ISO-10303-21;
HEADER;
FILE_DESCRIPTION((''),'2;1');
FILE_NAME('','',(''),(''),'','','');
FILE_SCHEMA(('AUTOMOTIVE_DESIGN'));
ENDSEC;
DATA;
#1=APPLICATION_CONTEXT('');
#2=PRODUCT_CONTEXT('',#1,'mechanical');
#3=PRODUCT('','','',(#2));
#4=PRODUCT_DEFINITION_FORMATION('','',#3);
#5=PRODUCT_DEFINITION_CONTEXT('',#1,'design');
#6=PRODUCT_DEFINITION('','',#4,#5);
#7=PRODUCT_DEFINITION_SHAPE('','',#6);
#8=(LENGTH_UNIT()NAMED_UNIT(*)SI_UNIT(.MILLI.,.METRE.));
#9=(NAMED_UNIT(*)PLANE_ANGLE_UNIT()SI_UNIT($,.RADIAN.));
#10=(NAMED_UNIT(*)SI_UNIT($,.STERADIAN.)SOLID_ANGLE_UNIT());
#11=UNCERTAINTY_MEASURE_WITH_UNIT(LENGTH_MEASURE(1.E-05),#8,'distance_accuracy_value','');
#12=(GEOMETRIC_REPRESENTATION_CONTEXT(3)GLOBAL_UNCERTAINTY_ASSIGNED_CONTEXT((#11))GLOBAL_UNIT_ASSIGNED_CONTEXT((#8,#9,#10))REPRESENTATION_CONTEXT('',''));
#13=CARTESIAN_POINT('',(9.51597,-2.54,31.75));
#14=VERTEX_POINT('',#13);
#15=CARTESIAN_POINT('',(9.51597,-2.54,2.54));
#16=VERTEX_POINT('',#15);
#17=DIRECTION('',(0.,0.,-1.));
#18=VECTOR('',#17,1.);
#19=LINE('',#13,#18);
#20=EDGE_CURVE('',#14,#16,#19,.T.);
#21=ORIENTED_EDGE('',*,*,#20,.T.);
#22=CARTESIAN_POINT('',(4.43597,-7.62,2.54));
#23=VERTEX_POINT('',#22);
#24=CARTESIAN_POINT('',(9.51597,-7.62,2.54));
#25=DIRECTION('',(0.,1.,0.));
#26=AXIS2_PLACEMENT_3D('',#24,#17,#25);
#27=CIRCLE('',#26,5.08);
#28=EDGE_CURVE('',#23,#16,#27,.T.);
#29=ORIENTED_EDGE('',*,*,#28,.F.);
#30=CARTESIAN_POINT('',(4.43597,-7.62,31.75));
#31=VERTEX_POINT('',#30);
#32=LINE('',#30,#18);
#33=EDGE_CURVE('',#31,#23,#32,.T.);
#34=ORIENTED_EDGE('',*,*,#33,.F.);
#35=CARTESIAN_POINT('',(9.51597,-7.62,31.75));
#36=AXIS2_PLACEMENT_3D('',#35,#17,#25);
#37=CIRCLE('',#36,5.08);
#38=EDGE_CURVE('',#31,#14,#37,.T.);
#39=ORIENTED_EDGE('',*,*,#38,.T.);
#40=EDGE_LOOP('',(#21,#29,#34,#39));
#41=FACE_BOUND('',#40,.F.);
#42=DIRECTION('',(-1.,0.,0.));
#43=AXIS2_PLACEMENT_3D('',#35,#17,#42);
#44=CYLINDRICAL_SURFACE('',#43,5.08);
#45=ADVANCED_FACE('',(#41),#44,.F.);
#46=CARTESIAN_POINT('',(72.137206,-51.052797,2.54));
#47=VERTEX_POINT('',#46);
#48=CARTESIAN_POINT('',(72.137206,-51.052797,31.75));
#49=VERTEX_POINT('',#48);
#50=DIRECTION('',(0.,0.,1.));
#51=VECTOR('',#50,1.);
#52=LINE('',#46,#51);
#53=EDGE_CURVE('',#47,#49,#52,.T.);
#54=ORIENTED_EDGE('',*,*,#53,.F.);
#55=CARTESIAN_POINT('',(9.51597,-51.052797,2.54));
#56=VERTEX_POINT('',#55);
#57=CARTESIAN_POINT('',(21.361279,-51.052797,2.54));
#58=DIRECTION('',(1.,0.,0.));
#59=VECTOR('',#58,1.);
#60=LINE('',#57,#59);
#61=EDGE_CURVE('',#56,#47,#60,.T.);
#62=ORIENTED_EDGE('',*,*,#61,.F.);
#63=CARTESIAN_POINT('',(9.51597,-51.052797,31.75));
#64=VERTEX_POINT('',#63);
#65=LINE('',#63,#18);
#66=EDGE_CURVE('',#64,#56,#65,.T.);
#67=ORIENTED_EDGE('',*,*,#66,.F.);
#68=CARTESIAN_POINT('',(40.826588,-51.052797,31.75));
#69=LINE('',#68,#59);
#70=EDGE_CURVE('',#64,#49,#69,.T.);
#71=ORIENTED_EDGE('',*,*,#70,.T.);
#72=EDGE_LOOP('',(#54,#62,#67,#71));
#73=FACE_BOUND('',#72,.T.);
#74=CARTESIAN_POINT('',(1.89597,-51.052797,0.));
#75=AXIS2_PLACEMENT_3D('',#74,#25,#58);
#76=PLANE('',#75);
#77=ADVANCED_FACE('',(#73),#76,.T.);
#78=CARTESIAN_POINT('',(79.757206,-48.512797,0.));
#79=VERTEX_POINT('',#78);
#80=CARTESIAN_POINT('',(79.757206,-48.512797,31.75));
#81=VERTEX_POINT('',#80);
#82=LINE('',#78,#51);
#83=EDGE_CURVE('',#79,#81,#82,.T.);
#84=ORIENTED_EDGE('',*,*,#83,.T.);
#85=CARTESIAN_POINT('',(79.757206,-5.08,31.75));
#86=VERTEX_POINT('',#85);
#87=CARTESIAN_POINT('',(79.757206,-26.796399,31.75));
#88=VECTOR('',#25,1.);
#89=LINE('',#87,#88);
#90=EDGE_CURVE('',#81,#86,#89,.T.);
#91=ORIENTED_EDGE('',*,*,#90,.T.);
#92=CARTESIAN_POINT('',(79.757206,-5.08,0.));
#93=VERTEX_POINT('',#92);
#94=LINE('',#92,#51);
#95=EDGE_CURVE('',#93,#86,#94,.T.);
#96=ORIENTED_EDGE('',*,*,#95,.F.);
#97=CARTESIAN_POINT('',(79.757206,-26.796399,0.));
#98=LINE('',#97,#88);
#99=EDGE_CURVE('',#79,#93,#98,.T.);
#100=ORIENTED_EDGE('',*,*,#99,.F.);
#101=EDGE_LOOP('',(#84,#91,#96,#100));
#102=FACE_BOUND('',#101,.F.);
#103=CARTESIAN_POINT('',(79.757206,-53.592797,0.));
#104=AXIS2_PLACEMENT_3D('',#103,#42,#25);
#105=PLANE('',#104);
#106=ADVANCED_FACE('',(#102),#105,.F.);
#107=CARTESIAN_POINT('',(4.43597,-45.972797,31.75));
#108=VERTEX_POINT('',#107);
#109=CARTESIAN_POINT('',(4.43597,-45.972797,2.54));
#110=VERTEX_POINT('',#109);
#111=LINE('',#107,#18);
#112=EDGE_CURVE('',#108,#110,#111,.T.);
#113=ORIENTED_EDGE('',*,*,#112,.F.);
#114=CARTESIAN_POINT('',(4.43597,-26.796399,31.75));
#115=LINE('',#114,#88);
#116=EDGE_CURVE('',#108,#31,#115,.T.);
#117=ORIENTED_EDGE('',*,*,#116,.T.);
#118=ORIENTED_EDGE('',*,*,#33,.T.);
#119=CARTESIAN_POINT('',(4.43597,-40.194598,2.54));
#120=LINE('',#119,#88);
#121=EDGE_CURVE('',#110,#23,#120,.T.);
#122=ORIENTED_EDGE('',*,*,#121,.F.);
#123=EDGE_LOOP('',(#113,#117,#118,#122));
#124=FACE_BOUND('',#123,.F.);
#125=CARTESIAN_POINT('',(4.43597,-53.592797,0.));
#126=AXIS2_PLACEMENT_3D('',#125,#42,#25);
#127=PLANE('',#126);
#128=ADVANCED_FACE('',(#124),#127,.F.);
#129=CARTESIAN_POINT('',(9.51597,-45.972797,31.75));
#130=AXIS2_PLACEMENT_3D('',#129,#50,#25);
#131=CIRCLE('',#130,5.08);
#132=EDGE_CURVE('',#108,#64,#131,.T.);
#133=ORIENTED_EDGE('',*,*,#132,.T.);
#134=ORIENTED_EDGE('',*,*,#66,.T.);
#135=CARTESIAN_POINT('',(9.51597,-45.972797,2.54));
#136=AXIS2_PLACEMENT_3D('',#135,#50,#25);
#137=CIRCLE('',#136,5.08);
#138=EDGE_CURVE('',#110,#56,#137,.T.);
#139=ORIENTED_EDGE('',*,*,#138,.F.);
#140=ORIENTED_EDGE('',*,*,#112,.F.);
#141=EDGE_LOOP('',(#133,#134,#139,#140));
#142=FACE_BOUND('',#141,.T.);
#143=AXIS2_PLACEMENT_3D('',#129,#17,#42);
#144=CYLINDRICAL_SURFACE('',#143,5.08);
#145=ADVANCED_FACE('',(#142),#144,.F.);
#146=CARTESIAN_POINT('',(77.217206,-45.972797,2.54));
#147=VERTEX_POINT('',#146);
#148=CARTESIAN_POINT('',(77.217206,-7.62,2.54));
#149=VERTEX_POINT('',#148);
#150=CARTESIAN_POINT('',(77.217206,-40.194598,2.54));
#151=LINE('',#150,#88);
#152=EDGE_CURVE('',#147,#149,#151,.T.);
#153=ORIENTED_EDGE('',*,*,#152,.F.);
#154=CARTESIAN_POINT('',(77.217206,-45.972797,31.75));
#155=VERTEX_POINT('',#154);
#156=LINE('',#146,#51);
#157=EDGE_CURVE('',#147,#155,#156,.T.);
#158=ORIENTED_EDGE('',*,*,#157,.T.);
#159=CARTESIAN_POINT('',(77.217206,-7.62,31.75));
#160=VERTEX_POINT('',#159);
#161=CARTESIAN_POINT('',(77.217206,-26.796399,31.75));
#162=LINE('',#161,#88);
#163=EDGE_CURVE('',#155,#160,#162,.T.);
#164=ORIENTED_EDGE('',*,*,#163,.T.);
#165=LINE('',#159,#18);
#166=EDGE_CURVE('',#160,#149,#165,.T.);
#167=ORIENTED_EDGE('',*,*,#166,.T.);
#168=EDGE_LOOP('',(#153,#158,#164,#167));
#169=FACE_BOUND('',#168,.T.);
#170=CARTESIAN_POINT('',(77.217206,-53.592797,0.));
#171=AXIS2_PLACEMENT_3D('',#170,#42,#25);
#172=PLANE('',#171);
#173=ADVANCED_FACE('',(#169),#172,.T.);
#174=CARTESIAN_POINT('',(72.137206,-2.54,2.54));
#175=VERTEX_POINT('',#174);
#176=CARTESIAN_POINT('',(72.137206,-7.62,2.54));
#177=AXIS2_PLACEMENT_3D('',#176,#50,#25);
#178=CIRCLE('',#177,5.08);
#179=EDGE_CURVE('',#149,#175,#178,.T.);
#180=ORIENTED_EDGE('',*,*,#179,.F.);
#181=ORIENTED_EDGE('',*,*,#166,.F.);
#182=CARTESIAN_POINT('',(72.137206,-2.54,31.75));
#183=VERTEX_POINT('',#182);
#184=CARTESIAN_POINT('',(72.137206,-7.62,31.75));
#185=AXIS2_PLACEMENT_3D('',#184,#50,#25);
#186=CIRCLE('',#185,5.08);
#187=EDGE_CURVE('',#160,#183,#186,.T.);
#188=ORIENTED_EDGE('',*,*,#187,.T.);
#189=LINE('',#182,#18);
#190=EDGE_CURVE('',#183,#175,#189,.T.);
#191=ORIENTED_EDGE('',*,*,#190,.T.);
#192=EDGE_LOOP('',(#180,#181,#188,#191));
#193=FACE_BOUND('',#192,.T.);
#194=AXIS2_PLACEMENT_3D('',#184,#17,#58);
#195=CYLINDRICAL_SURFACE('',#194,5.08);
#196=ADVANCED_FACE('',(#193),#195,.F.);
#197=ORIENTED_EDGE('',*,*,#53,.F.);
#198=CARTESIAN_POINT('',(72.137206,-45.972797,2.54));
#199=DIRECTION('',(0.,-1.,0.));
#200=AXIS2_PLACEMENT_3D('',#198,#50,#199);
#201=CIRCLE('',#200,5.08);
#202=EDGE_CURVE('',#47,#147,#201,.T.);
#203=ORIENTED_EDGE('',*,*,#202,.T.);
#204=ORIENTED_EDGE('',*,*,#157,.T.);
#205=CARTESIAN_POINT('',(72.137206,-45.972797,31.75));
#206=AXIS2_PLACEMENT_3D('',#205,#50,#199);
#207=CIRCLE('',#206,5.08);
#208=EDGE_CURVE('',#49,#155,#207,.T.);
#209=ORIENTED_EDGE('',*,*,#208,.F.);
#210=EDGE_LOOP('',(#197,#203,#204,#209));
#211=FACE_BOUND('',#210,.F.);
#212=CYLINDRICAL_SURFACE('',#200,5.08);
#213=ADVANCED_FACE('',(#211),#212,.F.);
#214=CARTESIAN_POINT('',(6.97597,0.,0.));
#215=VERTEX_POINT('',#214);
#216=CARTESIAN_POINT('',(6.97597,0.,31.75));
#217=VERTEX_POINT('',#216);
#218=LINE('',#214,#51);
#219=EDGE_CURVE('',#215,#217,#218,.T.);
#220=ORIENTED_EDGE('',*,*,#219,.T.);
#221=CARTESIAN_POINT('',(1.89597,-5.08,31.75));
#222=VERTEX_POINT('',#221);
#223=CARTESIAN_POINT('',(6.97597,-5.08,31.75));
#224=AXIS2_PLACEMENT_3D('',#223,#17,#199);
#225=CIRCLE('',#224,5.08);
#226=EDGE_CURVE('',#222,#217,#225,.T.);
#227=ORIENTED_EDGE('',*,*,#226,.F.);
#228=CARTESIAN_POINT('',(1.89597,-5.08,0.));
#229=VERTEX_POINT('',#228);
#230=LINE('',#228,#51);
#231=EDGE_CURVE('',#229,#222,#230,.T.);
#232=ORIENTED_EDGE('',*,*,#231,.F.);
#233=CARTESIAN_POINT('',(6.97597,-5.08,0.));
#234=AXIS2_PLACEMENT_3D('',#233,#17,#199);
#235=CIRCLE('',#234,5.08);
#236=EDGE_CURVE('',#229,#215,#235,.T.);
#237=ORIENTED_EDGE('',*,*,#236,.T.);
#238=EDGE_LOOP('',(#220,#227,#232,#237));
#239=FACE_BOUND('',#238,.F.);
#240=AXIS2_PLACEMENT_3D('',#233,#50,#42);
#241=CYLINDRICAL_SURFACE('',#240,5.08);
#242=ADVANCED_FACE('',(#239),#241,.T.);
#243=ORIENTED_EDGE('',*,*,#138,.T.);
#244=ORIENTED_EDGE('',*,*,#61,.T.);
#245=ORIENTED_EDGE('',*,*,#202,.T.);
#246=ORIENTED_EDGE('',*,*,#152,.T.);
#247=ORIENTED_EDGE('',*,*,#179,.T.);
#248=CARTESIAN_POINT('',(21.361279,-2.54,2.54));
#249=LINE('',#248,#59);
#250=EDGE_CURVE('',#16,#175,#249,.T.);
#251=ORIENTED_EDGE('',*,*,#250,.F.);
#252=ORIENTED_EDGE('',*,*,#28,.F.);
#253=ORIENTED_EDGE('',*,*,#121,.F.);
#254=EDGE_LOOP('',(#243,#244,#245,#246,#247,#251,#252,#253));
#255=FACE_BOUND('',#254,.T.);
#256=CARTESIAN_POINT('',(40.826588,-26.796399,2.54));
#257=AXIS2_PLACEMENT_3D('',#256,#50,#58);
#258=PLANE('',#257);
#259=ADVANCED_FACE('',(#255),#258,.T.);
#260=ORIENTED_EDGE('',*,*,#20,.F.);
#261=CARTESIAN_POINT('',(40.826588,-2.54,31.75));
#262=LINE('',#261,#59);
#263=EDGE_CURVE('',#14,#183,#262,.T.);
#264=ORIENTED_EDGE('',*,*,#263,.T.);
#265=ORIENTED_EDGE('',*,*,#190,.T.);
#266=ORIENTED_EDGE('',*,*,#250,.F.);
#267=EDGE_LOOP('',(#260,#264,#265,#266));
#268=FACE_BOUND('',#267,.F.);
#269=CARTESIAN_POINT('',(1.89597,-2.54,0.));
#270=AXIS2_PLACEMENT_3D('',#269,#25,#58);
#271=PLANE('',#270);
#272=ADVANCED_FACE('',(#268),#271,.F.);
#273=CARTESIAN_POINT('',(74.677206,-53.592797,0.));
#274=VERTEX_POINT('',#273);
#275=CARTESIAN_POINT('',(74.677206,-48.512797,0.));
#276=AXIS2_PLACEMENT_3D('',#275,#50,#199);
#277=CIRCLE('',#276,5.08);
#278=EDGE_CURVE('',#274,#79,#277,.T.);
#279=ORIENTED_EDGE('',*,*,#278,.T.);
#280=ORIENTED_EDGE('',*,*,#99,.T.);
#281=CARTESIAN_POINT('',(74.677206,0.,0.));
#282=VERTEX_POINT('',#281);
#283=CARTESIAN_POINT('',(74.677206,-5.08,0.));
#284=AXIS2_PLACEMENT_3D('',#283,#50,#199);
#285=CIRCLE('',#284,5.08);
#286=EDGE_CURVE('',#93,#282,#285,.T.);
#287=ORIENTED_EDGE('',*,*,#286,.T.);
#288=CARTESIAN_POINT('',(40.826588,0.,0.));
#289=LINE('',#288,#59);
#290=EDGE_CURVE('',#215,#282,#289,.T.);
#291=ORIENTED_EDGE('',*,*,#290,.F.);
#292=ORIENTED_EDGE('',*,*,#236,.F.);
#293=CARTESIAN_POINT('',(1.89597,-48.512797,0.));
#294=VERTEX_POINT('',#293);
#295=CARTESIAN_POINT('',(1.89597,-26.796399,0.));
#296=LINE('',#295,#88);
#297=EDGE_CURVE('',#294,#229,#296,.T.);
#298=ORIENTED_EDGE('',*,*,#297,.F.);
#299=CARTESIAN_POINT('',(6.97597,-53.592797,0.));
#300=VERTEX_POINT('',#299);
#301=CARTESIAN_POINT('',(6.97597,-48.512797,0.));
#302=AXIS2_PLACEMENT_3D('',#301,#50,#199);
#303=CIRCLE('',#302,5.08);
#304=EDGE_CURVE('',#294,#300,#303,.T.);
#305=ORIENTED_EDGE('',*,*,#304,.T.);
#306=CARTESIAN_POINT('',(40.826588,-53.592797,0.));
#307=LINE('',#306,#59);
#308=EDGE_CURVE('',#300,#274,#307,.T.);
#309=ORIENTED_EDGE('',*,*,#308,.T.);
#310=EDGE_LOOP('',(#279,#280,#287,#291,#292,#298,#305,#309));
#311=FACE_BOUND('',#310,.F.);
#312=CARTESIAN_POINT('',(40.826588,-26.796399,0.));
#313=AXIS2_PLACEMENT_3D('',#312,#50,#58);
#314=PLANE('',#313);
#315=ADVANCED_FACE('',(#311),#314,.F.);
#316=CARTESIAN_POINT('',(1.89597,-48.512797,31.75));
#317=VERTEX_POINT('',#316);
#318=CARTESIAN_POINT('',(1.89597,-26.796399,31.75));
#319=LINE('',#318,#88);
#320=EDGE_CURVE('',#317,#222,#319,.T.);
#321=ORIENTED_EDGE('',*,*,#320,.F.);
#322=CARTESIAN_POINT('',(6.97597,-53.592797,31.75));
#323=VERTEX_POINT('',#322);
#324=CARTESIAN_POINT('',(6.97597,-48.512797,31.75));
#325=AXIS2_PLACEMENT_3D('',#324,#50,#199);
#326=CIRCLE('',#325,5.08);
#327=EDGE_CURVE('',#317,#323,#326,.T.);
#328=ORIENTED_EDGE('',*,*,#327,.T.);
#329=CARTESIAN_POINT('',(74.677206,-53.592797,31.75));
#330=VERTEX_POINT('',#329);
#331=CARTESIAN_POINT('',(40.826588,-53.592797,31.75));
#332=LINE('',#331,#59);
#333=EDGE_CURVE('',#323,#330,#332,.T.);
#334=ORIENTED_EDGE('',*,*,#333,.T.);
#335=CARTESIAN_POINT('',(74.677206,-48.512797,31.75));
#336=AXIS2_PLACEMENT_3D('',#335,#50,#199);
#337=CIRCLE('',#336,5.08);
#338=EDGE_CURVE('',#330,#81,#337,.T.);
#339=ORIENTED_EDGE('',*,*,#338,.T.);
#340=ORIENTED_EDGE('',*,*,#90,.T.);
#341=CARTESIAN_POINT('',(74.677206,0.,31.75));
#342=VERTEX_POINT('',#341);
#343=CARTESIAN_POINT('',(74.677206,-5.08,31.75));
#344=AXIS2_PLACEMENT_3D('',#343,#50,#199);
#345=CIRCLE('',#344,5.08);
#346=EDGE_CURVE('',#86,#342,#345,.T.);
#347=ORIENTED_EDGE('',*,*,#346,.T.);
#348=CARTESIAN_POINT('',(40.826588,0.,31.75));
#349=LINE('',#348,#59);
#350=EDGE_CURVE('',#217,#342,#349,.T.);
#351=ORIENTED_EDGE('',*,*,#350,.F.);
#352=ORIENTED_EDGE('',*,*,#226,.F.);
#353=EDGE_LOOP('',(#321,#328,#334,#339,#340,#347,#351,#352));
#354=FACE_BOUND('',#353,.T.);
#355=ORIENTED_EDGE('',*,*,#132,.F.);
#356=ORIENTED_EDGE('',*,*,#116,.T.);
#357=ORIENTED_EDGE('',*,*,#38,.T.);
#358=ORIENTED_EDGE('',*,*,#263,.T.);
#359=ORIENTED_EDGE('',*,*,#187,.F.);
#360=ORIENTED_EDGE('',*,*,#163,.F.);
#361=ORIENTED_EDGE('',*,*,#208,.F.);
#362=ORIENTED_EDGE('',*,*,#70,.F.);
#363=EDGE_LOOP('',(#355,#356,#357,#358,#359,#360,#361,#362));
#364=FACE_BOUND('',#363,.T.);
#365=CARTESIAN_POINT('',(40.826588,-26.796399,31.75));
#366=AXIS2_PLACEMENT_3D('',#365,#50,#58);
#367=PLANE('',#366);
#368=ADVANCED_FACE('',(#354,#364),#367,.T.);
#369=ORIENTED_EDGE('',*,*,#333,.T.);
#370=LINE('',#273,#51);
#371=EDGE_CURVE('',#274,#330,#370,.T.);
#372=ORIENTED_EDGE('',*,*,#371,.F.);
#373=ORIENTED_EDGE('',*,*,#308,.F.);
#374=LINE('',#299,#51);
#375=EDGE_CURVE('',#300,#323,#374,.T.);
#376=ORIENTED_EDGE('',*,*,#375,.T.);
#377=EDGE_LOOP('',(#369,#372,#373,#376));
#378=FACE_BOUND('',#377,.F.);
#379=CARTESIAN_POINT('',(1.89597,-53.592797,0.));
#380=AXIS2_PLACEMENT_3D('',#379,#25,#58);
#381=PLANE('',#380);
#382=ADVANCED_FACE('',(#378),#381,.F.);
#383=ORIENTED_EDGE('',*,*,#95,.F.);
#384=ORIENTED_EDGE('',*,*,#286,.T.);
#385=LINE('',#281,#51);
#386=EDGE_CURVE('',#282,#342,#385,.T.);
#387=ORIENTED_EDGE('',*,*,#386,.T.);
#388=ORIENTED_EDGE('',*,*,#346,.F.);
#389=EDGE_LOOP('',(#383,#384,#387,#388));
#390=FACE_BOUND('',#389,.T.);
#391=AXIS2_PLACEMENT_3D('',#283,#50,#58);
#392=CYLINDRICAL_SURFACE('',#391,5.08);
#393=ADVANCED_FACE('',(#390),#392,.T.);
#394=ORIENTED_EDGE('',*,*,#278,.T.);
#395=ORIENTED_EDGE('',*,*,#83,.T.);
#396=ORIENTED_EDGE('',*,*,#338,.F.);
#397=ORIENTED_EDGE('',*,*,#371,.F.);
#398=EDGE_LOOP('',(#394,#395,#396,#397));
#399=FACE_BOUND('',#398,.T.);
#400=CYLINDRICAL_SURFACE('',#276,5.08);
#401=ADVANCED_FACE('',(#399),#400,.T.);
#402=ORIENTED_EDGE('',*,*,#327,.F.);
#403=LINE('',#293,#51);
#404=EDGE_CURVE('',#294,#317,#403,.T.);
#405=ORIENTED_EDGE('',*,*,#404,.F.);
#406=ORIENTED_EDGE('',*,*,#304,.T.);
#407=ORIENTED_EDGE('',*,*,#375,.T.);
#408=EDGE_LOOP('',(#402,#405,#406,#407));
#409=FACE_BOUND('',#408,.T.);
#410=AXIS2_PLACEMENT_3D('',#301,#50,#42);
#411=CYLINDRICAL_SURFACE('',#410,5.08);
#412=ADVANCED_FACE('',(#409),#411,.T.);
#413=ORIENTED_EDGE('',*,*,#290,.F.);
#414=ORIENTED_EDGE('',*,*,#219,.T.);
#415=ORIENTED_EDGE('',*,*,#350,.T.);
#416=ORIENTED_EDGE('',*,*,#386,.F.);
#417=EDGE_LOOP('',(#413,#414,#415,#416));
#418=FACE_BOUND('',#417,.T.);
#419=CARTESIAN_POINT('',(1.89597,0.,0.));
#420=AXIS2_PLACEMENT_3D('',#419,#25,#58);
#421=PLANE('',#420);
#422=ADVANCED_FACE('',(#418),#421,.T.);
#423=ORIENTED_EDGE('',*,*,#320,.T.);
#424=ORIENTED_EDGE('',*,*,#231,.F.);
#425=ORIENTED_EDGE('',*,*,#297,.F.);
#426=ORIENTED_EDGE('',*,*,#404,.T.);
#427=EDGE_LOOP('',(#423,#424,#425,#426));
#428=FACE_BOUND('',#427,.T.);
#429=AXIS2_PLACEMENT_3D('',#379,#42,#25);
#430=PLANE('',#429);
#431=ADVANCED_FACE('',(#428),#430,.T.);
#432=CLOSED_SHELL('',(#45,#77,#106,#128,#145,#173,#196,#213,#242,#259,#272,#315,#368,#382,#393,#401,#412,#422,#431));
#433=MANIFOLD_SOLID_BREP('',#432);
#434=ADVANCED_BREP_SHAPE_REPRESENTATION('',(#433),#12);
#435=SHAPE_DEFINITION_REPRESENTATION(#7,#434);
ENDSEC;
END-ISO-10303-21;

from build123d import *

# Parameters (mm, degrees)
F0_W     = 77.8612360591
F0_H     = 53.5927973688
F1_DEPTH = 31.75
F2_T     = -2.54
F3_R     = 5.08


with BuildPart() as f1:
    # F0 (on Top) → F1 (new body)
    with BuildSketch(Plane.XY):
        with Locations((40.8265881124, -26.7963986844)):
            Rectangle(F0_W, F0_H)
    extrude(amount=F1_DEPTH)

    # F2
    f2_openings = [f1.faces().sort_by_distance(p)[0] for p in [
        (40.826588, -26.796399, 31.75),
    ]]
    offset(amount=F2_T, openings=f2_openings)

    # F3
    f3_edges = [f1.edges().sort_by_distance(p)[0] for p in [
        (1.89597, 0, 15.875),
        (79.757206, 0, 15.875),
        (79.757206, -53.592797, 15.875),
        (1.89597, -53.592797, 15.875),
        (4.43597, -51.052797, 17.145),
        (4.43597, -2.54, 17.145),
        (77.217206, -2.54, 17.145),
        (77.217206, -51.052797, 17.145),
    ]]
    fillet(f3_edges, radius=F3_R)


solid = f1.part
